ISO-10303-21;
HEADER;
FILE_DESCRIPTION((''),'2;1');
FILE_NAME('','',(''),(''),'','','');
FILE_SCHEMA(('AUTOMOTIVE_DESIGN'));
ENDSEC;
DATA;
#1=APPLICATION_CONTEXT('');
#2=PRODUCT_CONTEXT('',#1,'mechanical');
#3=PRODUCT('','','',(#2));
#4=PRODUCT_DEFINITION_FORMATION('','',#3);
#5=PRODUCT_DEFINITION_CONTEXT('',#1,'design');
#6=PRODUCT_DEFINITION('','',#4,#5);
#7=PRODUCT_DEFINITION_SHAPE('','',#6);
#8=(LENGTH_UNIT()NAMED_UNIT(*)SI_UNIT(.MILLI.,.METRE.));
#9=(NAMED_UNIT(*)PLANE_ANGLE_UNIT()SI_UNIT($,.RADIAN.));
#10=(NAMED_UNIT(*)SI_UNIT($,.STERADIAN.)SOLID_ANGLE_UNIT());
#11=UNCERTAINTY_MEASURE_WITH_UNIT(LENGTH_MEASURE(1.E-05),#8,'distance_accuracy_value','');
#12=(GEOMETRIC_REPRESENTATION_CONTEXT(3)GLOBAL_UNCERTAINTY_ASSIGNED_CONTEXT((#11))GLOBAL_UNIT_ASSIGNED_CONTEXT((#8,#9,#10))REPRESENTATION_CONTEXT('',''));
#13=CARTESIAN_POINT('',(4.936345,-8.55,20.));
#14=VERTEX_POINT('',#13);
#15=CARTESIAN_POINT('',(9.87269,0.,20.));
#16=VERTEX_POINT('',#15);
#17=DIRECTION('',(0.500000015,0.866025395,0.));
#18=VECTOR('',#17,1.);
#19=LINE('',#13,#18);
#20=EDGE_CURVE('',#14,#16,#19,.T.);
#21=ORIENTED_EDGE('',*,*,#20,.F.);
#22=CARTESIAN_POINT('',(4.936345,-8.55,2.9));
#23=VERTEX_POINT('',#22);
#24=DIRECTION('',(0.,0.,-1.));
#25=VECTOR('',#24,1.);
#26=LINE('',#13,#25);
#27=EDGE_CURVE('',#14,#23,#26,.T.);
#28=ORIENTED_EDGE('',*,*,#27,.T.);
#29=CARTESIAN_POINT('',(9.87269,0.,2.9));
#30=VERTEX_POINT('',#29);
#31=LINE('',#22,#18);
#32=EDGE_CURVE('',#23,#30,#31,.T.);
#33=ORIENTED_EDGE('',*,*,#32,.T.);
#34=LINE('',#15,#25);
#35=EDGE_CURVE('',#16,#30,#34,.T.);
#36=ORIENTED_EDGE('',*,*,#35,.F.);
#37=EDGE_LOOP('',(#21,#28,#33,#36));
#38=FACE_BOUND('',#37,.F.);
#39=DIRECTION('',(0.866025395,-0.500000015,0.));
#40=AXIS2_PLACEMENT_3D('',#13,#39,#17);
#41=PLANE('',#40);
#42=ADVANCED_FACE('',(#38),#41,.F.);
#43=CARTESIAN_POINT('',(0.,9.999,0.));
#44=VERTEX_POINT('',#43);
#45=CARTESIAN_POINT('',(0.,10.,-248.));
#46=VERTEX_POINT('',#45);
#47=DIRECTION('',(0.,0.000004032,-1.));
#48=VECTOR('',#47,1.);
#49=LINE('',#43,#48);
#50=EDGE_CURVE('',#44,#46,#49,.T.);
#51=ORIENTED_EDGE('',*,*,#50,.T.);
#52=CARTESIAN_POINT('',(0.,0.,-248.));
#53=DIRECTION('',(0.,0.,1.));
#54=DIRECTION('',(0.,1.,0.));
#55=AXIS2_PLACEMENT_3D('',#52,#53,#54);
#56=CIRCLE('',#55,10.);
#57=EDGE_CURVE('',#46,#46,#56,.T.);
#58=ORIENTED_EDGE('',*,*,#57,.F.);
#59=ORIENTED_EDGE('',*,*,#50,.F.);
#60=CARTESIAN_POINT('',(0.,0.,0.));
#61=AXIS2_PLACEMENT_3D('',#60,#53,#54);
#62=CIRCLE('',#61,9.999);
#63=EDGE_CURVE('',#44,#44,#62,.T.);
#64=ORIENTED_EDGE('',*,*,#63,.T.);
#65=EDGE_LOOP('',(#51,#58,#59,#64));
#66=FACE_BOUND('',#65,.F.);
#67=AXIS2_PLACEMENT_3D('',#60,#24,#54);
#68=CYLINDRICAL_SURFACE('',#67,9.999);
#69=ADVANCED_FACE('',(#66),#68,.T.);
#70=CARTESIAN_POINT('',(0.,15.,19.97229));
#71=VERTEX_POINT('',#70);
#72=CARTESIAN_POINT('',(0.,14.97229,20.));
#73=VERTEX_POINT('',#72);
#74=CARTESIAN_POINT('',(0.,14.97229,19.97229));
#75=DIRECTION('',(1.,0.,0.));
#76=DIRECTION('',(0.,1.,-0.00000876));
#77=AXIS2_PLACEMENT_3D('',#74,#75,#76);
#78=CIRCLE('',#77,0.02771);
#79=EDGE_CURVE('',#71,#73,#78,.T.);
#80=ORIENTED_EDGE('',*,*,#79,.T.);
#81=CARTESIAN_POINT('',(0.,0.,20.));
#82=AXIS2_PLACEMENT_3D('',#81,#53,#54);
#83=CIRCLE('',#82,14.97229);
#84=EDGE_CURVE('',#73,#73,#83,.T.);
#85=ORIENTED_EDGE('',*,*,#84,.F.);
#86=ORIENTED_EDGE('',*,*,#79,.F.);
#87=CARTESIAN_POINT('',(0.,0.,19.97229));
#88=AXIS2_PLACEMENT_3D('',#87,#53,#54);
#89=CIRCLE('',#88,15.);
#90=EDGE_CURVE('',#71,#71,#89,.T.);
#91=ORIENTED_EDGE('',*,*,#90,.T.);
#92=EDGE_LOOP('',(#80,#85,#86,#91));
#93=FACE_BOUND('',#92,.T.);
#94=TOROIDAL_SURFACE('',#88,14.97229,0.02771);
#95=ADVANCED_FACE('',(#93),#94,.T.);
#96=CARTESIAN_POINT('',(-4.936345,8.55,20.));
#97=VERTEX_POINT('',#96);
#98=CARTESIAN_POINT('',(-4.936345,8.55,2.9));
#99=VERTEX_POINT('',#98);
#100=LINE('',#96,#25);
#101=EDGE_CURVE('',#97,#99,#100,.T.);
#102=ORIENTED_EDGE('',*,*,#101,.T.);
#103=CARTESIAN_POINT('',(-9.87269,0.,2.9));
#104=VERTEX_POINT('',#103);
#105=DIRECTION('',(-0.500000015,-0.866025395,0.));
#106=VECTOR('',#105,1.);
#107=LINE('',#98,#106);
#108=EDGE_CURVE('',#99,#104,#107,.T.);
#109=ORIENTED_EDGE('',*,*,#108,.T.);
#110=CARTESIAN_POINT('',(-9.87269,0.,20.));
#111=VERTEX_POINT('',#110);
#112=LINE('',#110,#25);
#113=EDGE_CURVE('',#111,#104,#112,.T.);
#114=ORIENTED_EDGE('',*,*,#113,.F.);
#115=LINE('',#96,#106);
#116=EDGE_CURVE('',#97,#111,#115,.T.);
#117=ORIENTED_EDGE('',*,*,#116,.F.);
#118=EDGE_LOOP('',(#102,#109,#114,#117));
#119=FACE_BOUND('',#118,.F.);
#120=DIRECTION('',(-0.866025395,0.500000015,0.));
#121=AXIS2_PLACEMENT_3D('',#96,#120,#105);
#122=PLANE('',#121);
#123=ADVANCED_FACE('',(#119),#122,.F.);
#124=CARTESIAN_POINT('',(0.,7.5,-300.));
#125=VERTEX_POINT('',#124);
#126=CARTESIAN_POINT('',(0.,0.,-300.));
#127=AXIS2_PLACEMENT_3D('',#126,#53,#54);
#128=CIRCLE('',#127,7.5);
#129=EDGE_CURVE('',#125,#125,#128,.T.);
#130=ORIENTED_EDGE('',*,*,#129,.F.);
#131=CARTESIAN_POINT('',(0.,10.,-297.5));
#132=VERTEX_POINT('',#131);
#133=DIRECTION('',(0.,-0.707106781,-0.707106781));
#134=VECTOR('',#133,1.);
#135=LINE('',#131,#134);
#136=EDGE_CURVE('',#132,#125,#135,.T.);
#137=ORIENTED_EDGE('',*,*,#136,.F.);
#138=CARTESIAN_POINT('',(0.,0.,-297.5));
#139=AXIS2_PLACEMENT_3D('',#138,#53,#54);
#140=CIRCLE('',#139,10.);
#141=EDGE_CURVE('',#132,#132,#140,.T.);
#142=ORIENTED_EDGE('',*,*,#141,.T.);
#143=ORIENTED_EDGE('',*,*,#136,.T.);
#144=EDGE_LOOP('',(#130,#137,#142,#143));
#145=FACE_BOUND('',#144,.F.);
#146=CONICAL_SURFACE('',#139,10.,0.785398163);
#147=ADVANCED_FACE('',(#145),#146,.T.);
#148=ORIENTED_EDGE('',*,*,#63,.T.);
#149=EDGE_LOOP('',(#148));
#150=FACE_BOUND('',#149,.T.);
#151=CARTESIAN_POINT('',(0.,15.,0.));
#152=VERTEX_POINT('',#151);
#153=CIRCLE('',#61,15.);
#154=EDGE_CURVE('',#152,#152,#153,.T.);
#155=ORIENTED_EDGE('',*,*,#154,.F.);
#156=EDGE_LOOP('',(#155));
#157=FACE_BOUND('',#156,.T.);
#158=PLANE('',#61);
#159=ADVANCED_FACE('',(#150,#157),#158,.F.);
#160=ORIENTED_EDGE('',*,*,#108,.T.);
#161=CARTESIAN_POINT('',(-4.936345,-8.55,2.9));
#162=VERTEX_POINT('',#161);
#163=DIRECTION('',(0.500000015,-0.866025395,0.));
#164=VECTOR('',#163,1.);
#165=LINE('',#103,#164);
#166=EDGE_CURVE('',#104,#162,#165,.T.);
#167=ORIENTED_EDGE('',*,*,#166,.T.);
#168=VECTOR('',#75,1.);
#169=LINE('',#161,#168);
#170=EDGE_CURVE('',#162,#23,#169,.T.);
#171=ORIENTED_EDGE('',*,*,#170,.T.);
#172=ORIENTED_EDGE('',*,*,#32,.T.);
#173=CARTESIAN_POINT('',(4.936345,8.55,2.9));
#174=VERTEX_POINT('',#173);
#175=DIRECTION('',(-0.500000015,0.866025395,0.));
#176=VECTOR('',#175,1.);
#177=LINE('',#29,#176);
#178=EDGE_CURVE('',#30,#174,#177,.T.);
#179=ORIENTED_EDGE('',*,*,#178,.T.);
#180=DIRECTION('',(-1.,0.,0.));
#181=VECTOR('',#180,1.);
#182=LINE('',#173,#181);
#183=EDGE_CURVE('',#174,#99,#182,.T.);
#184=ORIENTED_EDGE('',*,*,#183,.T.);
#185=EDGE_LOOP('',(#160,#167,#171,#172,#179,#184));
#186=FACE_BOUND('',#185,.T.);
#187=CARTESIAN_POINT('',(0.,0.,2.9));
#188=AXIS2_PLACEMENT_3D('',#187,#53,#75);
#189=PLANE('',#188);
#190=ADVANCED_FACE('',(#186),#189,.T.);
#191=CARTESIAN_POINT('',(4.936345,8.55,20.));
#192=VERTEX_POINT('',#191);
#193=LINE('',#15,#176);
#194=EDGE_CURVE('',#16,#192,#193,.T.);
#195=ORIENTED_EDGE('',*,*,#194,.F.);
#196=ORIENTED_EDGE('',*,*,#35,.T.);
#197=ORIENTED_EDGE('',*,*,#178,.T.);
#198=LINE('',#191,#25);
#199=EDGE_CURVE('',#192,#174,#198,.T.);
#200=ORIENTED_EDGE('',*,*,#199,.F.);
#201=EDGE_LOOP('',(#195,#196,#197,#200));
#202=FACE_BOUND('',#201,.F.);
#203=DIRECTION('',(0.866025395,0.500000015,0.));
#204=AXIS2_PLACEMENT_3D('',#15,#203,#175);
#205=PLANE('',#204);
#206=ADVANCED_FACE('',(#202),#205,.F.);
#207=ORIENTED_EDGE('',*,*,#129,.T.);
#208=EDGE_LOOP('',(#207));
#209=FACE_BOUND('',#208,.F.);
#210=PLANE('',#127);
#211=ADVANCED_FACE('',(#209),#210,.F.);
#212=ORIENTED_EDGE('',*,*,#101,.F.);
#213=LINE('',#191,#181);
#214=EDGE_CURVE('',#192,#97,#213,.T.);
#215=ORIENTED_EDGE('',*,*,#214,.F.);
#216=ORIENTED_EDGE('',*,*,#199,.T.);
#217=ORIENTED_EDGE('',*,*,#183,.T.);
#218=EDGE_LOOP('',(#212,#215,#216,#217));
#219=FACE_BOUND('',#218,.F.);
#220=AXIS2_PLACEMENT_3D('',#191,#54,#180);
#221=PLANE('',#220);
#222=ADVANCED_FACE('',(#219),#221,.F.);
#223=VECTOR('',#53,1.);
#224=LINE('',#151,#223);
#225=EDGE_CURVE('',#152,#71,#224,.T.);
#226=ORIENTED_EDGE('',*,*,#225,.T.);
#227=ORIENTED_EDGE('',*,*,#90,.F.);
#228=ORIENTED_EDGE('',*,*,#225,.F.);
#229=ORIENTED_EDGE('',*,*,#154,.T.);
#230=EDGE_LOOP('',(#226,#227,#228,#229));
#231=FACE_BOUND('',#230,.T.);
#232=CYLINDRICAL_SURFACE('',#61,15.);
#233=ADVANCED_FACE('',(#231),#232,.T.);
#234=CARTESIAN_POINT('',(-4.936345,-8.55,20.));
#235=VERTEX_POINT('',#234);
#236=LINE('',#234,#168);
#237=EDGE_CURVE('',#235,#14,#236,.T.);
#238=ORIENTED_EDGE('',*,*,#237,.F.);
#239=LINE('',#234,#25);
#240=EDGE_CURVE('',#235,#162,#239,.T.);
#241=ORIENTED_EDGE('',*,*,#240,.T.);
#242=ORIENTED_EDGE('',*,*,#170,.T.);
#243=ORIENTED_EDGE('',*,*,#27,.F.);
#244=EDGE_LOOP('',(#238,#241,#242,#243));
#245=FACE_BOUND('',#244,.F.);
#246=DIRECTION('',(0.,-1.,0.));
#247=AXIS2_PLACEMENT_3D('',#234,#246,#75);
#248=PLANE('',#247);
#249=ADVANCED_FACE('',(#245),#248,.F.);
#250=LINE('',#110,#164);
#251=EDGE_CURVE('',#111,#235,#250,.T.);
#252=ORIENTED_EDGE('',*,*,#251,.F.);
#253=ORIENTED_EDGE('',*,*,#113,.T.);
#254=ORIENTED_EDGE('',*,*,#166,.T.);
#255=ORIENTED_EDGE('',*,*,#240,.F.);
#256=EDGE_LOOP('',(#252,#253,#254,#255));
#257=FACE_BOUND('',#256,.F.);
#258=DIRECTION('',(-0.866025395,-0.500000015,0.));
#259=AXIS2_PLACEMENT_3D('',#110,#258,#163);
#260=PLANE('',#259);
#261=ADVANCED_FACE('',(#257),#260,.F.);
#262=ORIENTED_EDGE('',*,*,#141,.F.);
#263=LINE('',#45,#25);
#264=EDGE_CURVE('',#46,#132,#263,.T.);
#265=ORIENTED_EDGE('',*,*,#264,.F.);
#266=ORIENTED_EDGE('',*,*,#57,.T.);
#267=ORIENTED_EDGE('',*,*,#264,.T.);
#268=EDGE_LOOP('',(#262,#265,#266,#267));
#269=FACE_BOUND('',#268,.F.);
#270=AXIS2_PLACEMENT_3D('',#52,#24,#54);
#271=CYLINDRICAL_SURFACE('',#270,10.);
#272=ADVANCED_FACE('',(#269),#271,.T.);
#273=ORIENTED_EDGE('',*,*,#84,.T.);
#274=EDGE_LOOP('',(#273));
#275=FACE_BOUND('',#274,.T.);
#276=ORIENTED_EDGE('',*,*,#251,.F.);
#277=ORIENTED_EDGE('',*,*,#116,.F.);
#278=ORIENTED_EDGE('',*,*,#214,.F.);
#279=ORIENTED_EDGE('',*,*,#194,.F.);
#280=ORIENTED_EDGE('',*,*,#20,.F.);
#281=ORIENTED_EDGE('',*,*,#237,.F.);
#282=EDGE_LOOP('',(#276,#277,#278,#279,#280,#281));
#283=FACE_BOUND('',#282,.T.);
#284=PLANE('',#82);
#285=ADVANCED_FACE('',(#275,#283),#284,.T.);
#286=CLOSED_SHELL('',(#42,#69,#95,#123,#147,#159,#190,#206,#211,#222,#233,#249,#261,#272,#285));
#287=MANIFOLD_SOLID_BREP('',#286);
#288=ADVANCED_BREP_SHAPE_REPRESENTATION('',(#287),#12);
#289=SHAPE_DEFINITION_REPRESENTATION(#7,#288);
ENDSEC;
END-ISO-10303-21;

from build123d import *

# Parameters (mm, degrees)
POCKET_DEPTH = 17.1


with BuildPart() as part:
    # Sketch → Revolve (revolve)
    with BuildSketch(Plane.YZ):
        with BuildLine():
            Line((9.999, 0), (15, 0))
            Line((15, 0), (15, 19.97229))
            ThreePointArc((15, 19.97229), (14.991884, 19.991884), (14.97229, 20))
            Line((14.97229, 20), (0, 20))
            Line((0, -300), (0, 20))
            Line((7.5, -300), (0, -300))
            Line((10, -297.5), (7.5, -300))
            Line((10, -248), (10, -297.5))
            Line((9.999, 0), (10, -248))
        make_face()
    revolve(axis=Axis((0, 0, 0), (0, 0, 1)))

    # Sketch001 → Pocket (cut)
    with BuildSketch(Plane.XY.offset(20)):
        Polygon((9.87269, 0), (4.936345, 8.55), (-4.936345, 8.55), (-9.87269, 0), (-4.936345, -8.55), (4.936345, -8.55), align=None)
    extrude(amount=-POCKET_DEPTH, mode=Mode.SUBTRACT)


solid = part.part
